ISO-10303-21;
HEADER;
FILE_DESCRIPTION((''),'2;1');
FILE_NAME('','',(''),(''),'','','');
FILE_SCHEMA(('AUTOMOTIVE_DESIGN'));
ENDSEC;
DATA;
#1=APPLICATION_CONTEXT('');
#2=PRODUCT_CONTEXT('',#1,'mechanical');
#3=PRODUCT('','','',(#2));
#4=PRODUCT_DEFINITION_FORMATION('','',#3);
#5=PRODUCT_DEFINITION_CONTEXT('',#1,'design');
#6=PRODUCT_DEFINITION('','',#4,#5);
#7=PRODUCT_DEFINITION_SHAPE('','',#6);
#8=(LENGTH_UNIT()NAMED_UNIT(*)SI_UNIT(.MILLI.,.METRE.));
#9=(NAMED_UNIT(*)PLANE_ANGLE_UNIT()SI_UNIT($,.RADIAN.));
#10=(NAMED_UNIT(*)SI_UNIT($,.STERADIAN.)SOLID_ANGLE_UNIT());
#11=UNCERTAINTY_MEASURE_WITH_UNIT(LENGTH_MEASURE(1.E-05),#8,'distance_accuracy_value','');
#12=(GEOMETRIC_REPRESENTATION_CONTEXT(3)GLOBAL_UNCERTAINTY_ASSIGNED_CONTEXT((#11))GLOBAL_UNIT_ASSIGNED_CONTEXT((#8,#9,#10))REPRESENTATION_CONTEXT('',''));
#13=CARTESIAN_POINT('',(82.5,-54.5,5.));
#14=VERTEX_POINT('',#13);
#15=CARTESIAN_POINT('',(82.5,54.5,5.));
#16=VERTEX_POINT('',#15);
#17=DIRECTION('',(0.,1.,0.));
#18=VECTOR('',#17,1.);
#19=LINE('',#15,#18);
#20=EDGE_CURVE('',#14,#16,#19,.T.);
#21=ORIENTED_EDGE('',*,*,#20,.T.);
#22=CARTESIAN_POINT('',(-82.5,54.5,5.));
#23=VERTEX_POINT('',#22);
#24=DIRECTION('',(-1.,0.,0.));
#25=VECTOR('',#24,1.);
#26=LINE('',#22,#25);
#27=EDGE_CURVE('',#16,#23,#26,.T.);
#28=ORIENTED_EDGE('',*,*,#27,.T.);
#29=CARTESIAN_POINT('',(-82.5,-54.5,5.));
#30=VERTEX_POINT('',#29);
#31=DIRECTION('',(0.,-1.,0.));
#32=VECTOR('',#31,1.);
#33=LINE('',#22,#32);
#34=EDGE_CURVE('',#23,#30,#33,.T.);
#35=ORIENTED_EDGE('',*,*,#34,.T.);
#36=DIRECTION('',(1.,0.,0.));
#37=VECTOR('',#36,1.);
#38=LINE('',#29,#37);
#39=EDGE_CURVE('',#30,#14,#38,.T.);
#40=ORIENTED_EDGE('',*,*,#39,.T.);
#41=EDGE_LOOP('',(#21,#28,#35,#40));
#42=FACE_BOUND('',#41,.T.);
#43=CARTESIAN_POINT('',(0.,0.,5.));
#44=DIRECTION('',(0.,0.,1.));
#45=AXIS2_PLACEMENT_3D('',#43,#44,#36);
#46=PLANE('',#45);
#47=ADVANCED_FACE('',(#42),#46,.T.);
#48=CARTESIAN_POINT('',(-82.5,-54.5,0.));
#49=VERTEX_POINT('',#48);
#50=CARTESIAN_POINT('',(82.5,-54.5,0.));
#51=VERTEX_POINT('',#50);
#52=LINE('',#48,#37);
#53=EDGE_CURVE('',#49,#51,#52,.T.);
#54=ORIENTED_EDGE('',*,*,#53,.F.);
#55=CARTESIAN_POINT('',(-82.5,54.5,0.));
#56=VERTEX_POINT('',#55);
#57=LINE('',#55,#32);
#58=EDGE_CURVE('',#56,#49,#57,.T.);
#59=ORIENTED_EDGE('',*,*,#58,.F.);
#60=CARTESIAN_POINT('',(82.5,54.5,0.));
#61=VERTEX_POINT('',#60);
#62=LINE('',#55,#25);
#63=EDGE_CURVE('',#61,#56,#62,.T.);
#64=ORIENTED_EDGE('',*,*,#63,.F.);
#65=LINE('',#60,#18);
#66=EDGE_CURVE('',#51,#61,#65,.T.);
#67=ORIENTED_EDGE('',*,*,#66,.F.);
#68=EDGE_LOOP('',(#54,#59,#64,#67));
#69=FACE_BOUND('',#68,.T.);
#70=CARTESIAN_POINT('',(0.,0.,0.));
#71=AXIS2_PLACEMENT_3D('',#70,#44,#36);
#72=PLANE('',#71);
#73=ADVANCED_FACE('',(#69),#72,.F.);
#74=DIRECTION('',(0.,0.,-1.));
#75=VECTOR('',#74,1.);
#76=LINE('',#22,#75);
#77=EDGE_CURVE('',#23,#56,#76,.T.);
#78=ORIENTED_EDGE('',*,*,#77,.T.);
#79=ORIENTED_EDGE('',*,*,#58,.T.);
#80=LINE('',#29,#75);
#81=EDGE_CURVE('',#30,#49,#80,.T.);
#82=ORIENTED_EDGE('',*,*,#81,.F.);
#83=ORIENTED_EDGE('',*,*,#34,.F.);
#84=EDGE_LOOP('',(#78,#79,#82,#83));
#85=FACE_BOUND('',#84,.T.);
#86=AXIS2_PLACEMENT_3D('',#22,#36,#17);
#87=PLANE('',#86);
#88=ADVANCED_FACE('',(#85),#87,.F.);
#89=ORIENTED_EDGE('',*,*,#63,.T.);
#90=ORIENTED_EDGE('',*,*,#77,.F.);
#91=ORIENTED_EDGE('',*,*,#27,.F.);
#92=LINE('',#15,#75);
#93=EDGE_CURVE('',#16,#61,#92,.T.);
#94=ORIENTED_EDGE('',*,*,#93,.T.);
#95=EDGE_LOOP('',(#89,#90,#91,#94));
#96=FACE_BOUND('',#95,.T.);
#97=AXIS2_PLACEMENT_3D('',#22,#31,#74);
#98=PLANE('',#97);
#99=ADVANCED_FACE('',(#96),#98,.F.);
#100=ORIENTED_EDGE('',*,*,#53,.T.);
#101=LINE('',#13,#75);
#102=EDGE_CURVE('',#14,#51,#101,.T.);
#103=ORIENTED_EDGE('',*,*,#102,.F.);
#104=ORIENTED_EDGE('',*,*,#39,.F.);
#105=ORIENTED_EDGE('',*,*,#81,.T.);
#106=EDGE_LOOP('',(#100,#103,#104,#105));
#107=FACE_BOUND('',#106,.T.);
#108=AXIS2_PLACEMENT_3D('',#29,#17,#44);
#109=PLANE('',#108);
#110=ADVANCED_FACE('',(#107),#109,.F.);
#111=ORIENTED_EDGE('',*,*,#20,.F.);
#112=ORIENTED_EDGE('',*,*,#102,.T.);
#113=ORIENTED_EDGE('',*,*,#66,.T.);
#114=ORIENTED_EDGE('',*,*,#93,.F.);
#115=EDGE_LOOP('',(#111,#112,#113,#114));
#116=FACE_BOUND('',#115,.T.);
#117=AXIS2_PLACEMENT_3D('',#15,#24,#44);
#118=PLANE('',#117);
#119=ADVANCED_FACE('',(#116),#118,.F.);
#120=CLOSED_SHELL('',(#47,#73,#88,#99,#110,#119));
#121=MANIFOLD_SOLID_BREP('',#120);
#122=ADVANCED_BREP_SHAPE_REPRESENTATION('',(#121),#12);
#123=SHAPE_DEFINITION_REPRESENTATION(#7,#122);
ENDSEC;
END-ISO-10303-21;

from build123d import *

# Parameters (mm, degrees)
SKETCH_1_W      = 165
SKETCH_1_H      = 109
EXTRUDE_1_DEPTH = 5


with BuildPart() as part:
    # 草图1 → 凸台-拉伸1 (new body)
    with BuildSketch(Plane.XY):
        Rectangle(SKETCH_1_W, SKETCH_1_H)
    extrude(amount=EXTRUDE_1_DEPTH)


solid = part.part
